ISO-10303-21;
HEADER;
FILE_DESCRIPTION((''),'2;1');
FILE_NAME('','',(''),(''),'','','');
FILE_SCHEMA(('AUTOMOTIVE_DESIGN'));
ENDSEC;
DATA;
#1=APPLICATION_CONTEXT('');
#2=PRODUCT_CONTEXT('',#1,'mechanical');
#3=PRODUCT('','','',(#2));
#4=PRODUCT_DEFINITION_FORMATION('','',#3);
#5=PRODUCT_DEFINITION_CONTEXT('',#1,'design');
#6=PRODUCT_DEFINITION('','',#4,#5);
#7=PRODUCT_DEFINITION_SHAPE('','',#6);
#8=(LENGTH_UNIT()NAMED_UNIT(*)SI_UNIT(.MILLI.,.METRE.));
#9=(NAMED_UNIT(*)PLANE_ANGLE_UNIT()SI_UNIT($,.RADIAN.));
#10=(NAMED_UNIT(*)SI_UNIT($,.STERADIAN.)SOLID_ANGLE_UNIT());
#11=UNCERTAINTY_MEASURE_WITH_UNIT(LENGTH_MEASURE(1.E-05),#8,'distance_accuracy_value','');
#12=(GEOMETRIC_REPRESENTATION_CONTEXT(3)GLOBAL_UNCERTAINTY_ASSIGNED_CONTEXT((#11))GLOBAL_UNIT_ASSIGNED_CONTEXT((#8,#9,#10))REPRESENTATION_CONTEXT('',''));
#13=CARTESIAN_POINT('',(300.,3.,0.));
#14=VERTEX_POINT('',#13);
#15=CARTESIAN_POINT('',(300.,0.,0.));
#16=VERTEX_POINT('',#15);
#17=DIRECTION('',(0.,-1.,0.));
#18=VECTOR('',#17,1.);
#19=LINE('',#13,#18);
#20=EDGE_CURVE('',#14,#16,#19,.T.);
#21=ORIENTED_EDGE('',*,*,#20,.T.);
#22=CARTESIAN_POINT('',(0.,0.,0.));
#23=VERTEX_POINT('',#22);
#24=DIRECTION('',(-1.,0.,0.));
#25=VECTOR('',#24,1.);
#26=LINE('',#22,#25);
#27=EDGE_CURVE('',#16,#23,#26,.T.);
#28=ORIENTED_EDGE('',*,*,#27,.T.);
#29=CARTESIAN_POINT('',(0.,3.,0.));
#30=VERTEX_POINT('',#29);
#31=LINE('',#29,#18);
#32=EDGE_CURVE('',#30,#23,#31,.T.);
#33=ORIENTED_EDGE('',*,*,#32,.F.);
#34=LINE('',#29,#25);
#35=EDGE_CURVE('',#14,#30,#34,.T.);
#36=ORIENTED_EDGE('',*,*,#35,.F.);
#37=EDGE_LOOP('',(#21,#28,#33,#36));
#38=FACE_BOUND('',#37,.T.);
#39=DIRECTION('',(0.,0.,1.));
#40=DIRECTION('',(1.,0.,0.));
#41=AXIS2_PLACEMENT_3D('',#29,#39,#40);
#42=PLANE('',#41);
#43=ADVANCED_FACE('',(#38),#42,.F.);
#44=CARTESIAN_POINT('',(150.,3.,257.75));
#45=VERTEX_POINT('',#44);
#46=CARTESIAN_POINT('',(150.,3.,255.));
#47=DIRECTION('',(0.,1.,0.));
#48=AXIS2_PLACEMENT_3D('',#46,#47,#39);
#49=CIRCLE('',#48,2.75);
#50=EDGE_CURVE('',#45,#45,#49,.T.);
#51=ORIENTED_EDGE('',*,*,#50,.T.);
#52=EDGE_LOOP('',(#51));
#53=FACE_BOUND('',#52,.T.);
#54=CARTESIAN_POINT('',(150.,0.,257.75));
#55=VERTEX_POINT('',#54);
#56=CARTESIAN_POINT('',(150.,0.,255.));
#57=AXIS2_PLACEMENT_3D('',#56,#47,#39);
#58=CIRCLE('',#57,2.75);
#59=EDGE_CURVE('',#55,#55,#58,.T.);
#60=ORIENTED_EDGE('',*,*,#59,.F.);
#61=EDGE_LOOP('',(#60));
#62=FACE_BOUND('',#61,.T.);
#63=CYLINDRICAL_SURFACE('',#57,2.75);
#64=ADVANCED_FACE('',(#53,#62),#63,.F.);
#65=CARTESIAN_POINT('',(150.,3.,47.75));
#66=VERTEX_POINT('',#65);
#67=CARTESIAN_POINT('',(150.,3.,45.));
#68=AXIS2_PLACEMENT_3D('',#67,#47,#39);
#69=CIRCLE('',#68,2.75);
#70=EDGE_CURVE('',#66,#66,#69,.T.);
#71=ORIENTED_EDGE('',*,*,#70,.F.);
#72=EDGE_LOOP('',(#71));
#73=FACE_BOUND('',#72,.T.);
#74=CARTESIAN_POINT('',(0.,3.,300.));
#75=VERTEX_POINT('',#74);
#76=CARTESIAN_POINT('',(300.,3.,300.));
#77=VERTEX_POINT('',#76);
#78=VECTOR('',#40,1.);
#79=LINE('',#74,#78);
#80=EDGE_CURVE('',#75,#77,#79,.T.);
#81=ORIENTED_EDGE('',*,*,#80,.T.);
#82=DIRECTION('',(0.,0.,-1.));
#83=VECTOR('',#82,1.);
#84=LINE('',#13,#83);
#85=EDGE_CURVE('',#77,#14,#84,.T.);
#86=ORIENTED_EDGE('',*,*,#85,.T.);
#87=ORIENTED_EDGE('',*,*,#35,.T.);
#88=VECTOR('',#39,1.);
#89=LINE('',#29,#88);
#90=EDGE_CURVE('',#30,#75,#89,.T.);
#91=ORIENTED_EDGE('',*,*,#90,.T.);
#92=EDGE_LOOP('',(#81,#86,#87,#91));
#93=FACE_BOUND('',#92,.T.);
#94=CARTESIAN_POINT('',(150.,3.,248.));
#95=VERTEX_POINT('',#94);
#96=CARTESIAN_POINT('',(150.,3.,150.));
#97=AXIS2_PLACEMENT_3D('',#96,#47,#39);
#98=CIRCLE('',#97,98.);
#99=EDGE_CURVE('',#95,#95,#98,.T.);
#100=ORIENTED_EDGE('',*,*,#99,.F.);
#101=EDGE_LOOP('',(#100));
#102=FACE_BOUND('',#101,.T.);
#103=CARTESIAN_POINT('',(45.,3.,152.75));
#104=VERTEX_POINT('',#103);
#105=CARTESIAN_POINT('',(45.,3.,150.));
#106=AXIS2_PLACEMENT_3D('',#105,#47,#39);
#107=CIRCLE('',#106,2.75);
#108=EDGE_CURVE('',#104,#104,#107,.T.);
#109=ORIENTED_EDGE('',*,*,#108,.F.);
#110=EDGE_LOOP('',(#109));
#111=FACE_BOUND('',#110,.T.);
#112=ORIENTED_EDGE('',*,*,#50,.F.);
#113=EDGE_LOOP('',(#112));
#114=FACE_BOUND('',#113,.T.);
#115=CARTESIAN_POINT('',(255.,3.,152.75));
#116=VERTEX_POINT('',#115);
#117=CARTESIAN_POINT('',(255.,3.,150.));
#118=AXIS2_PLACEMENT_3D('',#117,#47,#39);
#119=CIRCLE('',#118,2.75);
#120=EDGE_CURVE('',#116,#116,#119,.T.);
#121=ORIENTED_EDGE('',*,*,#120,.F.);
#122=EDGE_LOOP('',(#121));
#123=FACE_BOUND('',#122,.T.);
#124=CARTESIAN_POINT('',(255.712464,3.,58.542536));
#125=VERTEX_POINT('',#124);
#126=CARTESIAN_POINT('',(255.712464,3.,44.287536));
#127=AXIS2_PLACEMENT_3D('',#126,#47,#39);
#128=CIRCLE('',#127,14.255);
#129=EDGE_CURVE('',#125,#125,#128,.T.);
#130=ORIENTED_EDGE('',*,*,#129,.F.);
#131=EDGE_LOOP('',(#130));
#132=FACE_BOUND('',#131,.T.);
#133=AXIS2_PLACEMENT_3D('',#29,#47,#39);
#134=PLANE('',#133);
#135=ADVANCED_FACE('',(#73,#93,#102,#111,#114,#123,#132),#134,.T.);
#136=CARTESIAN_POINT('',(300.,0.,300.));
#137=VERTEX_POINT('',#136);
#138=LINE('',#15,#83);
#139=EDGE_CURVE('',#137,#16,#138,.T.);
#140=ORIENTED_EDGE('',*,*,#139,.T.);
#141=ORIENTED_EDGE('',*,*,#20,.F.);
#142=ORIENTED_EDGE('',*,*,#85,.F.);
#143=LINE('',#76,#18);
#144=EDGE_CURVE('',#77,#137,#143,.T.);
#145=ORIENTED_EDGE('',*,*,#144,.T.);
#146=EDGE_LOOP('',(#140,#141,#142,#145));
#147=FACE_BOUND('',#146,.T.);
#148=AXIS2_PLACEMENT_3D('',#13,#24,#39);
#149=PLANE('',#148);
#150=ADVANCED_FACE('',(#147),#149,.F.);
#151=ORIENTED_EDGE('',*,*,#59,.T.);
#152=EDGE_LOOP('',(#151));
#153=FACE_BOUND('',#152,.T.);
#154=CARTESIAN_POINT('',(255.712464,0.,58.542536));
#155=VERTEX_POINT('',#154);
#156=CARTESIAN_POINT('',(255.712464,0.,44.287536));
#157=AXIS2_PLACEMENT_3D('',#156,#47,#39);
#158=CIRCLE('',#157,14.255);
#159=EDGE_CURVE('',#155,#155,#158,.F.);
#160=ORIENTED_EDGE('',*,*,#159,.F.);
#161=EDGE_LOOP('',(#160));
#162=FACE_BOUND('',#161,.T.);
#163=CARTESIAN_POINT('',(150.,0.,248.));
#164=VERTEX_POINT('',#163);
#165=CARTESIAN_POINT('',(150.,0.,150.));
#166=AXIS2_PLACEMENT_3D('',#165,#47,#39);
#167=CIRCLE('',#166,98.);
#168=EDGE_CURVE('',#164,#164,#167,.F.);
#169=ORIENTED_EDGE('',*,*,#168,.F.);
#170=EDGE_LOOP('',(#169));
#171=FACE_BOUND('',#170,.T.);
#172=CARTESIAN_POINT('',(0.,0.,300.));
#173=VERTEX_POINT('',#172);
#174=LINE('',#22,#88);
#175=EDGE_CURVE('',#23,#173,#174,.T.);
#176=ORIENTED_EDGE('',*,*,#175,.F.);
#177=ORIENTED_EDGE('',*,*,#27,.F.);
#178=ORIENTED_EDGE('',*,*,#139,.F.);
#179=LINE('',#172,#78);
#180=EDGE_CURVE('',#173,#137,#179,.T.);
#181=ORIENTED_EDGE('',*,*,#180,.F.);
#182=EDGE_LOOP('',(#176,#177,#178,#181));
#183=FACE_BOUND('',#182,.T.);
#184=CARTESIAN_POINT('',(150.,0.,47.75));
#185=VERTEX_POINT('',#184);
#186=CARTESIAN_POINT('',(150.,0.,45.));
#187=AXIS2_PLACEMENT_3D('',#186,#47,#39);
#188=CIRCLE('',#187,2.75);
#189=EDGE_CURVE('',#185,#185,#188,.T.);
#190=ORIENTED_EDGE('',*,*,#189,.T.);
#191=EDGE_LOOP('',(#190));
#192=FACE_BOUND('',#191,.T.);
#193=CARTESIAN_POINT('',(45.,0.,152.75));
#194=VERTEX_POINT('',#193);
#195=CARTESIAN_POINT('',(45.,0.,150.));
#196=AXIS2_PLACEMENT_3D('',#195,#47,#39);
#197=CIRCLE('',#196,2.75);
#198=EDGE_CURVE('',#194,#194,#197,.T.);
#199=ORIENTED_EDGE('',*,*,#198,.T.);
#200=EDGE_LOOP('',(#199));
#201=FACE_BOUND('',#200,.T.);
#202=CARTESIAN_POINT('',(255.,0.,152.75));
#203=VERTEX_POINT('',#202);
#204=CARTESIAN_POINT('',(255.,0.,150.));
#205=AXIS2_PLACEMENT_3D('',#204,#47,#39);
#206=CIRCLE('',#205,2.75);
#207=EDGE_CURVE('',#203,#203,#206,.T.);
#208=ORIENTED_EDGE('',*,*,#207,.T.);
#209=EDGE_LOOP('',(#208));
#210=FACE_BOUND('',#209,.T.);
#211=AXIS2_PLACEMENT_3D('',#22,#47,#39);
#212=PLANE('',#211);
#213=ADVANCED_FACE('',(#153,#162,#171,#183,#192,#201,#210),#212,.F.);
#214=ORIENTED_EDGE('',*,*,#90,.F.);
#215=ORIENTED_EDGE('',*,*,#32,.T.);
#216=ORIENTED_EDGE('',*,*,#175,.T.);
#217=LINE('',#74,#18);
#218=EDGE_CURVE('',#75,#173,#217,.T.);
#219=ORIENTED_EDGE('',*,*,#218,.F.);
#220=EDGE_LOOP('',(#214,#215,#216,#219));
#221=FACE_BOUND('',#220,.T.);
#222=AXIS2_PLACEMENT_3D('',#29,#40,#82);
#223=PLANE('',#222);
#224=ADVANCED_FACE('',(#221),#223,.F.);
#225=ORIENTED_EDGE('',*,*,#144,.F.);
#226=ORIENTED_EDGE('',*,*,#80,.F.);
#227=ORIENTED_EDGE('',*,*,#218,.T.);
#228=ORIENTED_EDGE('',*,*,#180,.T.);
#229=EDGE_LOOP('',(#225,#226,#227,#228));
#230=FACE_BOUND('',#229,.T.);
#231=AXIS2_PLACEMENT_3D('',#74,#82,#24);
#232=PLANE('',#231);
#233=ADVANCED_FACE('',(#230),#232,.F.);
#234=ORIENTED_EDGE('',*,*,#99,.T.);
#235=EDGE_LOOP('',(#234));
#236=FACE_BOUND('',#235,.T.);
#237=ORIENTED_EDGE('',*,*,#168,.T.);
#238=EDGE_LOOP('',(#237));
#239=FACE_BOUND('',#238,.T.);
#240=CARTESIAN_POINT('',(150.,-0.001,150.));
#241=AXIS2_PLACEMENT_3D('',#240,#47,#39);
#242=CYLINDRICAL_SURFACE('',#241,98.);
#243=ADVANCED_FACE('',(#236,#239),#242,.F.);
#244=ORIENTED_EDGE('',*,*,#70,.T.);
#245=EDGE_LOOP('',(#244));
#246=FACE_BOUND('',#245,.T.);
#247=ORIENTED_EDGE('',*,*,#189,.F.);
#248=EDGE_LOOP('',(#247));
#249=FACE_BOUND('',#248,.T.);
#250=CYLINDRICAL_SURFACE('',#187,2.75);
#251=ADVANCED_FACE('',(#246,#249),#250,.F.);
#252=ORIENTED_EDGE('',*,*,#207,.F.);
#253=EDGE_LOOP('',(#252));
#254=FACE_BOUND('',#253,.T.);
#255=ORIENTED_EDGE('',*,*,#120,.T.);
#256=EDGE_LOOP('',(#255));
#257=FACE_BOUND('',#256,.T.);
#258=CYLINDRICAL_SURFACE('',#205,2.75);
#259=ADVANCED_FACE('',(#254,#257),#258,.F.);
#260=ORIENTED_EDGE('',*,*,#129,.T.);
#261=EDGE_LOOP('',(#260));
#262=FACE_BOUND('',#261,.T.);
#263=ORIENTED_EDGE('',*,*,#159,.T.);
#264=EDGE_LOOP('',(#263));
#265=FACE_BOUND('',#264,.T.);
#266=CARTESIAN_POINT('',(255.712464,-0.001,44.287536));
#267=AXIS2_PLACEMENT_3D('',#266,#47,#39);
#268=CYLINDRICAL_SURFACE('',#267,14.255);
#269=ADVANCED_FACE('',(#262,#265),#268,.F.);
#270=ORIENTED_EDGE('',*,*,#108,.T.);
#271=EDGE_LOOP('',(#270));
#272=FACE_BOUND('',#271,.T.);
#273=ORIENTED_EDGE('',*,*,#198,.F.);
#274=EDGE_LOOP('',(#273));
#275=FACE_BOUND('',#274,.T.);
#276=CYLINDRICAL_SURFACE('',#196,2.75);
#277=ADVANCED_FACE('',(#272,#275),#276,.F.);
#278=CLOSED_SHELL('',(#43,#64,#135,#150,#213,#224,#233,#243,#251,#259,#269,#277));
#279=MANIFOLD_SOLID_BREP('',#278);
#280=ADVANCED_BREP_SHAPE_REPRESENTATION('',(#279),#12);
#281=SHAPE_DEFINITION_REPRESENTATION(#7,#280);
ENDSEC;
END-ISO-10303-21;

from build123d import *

# Parameters (mm, degrees)
SKETCH1_W           = 300
SKETCH1_H           = 300
BOSS_EXTRUDE1_DEPTH = 3
CUT_EXTRUDE1_REACH  = 5
SKETCH2_R           = 98
SKETCH2_R_2         = 14.255
SKETCH4_R           = 2.75
CUT_EXTRUDE3_DEPTH  = 4


with BuildPart() as part:
    # Sketch1 → Boss-Extrude1 (new body)
    with BuildSketch(Plane(origin=(0, 0, 0), x_dir=(1, 0, 0), z_dir=(0, 1, 0))):
        with Locations((150, -150)):
            Rectangle(SKETCH1_W, SKETCH1_H)
    extrude(amount=BOSS_EXTRUDE1_DEPTH)

    # Sketch2 → Cut-Extrude1 (cut, up to next)
    with BuildSketch(Plane(origin=(0, 3, 0), x_dir=(1, 0, 0), z_dir=(0, 1, 0)), mode=Mode.PRIVATE) as cut_extrude1_sk1:
        with Locations((150, -150)):
            Circle(SKETCH2_R)
    cut_extrude1_tool1 = extrude(cut_extrude1_sk1.sketch, amount=-CUT_EXTRUDE1_REACH, mode=Mode.PRIVATE) & part.part
    add(cut_extrude1_tool1.solids().sort_by_distance((150, 3, 150))[0], mode=Mode.SUBTRACT)
    # Sketch2 → Cut-Extrude1 (cut, up to next)
    with BuildSketch(Plane(origin=(0, 3, 0), x_dir=(1, 0, 0), z_dir=(0, 1, 0)), mode=Mode.PRIVATE) as cut_extrude1_sk2:
        with Locations((255.712463787, -44.287536213)):
            Circle(SKETCH2_R_2)
    cut_extrude1_tool2 = extrude(cut_extrude1_sk2.sketch, amount=-CUT_EXTRUDE1_REACH, mode=Mode.PRIVATE) & part.part
    add(cut_extrude1_tool2.solids().sort_by_distance((255.712464, 3, 44.287536))[0], mode=Mode.SUBTRACT)

    # Sketch4 → Cut-Extrude3 (cut, through all)
    with BuildSketch(Plane(origin=(0, 3, 0), x_dir=(1, 0, 0), z_dir=(0, 1, 0))):
        with Locations((45, -150)):
            Circle(SKETCH4_R)
        with Locations((255, -150)):
            Circle(SKETCH4_R)
        with Locations((150, -255)):
            Circle(SKETCH4_R)
        with Locations((150, -45)):
            Circle(SKETCH4_R)
    extrude(amount=-CUT_EXTRUDE3_DEPTH, mode=Mode.SUBTRACT)


solid = part.part
